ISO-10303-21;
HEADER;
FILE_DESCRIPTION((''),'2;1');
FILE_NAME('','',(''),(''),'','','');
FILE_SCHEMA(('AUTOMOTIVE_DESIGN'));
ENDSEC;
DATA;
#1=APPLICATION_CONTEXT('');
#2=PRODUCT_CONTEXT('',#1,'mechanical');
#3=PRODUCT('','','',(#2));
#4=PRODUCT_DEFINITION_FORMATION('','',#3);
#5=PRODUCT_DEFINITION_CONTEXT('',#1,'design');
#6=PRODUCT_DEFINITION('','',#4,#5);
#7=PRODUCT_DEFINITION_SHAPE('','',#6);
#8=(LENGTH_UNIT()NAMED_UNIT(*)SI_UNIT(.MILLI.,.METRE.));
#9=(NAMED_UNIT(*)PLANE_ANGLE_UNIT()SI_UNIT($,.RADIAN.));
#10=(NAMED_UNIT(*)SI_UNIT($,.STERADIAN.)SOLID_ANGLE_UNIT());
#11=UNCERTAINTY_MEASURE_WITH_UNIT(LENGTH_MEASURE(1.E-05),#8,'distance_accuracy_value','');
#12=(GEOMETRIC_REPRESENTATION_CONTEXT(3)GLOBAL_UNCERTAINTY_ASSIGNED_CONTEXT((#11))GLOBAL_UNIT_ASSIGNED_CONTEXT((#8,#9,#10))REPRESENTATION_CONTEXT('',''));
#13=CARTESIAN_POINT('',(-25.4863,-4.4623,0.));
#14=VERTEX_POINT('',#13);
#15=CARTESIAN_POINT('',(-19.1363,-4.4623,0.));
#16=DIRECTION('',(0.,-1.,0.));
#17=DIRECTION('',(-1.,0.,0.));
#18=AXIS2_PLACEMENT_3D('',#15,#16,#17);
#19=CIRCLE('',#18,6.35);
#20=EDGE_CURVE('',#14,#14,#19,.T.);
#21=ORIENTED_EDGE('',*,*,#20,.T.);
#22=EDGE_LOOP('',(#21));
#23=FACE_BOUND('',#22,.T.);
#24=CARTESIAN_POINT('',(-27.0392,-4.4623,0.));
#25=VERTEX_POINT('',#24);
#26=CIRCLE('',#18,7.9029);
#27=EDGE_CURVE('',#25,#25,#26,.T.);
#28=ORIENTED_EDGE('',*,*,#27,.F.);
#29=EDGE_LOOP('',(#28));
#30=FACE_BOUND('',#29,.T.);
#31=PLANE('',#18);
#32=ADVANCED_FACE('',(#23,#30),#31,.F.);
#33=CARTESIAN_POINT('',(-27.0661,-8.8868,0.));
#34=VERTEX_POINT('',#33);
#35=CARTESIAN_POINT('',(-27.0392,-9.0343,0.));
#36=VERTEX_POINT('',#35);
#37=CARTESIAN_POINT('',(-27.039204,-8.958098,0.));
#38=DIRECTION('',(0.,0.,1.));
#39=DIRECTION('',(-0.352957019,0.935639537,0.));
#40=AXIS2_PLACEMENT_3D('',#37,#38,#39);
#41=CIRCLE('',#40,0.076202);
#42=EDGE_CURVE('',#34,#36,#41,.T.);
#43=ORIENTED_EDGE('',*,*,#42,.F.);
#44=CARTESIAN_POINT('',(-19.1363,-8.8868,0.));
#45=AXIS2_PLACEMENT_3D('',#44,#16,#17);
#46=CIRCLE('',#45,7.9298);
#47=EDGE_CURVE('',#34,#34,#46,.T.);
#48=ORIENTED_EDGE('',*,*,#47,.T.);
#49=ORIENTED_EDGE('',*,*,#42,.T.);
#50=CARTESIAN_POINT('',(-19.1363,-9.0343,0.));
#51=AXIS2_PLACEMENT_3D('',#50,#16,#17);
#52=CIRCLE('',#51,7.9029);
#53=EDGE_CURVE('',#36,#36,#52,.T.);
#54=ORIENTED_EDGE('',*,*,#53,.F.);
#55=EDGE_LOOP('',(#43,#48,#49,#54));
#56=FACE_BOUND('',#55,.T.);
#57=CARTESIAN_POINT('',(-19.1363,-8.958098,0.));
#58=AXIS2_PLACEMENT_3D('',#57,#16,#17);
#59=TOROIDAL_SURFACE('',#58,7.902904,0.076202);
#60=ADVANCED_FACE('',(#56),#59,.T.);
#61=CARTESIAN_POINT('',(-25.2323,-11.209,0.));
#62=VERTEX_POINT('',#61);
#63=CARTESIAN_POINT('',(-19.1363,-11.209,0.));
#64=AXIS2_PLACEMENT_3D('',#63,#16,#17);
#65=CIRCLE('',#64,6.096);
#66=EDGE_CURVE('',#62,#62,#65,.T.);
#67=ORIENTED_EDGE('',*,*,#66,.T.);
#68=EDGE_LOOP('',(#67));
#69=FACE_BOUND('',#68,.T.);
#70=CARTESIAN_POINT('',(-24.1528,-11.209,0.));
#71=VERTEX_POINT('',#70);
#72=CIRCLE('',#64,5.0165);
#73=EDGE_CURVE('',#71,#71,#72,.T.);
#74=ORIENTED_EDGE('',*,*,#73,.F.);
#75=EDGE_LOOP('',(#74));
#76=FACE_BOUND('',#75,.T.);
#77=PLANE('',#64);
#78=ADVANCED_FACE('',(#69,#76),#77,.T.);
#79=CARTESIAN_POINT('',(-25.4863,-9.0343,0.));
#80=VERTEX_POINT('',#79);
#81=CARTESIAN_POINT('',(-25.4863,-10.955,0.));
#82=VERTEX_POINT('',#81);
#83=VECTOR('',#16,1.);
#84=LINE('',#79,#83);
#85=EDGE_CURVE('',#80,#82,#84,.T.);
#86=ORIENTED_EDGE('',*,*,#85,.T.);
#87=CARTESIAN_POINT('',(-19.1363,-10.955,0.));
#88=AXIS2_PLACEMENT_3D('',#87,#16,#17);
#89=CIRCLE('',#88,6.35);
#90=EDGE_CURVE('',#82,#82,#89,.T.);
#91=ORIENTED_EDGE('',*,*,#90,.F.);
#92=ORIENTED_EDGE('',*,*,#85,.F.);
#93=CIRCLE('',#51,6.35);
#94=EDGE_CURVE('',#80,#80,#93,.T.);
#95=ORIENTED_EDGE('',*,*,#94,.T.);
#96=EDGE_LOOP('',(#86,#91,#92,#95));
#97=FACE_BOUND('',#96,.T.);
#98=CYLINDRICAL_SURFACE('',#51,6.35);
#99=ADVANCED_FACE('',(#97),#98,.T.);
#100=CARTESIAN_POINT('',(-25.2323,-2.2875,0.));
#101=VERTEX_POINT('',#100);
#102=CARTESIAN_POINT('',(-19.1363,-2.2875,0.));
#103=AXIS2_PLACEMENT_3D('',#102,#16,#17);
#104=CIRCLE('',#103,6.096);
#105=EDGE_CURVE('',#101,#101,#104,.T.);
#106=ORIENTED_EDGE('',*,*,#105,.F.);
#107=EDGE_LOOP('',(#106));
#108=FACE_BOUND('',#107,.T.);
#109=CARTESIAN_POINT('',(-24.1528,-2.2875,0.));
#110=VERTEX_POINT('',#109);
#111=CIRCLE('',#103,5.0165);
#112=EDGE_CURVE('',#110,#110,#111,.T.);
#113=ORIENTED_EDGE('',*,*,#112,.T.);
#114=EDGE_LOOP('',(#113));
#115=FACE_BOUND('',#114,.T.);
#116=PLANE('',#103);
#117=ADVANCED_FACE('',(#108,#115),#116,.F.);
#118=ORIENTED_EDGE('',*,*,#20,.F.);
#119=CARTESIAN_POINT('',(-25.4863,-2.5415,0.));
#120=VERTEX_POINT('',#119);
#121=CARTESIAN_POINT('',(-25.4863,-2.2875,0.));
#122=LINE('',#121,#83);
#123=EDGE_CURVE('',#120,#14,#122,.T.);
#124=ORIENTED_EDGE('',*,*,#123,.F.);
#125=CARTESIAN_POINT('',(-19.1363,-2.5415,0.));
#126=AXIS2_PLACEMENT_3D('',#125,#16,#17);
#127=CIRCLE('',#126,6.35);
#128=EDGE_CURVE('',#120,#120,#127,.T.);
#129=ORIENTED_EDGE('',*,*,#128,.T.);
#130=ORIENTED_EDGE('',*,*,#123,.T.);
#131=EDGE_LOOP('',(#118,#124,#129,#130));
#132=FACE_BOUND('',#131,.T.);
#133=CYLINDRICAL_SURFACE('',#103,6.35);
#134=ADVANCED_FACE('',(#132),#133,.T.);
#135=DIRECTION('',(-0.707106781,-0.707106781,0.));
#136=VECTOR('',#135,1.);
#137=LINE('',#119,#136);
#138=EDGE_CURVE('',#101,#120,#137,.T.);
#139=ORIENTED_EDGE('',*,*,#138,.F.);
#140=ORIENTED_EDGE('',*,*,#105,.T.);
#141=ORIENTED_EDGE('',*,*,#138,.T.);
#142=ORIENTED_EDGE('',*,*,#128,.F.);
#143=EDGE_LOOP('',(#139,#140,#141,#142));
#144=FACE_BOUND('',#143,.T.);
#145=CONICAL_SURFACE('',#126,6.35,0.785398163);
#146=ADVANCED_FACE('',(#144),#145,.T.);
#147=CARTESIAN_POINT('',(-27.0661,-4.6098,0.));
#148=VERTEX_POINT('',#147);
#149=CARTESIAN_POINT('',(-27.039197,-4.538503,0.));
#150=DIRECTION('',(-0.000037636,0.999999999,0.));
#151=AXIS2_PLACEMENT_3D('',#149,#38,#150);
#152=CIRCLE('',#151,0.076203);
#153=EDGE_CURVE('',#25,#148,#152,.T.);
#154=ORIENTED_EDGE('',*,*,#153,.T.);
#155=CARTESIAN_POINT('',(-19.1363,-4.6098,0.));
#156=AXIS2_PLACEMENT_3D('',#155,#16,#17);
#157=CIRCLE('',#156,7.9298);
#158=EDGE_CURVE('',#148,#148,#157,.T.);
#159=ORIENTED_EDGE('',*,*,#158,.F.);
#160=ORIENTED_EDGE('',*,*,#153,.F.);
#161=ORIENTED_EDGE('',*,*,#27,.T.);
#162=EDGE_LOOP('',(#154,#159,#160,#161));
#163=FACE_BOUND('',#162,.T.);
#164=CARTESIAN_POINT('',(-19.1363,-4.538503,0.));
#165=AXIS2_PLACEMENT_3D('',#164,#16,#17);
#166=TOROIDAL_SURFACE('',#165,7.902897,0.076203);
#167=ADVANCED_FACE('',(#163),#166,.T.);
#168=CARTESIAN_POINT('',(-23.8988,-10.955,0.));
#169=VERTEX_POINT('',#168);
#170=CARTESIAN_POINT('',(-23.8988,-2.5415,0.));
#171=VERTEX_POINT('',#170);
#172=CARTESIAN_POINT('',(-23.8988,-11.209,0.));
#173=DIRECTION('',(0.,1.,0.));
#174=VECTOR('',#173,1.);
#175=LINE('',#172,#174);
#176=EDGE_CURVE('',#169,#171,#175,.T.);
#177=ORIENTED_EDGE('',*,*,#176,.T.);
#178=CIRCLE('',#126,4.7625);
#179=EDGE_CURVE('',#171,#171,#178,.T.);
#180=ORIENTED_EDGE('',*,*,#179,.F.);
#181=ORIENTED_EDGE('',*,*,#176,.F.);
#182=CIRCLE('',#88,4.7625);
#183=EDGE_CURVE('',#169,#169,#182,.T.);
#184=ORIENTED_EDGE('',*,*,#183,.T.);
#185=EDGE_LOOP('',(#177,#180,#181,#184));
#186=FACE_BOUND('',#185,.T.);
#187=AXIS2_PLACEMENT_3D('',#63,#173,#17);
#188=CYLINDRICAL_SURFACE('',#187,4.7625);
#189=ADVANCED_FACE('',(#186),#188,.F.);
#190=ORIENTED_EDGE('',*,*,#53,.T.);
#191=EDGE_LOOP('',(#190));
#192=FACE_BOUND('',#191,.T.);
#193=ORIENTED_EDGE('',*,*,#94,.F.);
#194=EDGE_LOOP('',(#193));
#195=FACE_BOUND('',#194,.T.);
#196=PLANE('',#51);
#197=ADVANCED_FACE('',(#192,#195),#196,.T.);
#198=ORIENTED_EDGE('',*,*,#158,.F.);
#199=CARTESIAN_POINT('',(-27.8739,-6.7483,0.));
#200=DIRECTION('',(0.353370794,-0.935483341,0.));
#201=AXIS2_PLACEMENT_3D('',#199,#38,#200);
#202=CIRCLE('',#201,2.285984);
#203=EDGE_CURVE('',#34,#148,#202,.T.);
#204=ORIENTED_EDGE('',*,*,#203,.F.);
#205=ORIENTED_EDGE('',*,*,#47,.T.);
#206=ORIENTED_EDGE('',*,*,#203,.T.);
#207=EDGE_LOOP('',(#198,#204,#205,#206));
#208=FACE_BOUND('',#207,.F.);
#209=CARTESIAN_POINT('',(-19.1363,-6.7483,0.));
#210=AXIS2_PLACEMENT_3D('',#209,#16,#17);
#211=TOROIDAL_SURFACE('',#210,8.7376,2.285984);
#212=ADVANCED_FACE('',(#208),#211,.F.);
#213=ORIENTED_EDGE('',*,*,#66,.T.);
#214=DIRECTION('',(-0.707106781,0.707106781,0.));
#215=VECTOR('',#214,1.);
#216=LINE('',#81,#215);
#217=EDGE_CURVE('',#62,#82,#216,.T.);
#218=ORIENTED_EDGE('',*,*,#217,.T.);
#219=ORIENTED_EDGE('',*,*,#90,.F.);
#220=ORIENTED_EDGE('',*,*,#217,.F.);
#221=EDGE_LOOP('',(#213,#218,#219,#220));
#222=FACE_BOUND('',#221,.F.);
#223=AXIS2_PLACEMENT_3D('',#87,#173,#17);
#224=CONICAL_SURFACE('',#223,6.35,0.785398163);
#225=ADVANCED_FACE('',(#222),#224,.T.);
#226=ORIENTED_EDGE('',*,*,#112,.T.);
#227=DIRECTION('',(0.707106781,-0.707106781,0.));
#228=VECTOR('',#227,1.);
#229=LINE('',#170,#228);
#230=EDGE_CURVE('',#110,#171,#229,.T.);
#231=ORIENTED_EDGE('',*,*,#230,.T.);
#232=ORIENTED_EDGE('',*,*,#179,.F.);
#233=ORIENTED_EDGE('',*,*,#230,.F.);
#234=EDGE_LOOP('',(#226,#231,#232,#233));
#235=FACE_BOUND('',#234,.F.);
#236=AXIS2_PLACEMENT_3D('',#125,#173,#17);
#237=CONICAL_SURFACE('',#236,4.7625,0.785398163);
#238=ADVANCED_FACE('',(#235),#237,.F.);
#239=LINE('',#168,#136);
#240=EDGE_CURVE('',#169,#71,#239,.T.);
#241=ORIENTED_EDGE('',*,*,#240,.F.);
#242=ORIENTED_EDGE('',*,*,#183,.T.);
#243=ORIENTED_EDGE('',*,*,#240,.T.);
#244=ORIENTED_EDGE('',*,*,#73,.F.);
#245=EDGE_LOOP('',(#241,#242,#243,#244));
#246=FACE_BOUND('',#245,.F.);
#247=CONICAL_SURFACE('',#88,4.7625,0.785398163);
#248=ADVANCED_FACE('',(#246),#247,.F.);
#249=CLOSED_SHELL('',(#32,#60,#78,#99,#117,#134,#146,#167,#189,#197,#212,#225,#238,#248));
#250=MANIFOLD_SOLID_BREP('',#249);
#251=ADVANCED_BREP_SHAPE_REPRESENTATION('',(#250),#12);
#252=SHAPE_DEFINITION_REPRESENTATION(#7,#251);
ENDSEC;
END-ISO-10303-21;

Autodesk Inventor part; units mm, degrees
ref_plane "YZ Plane" through (0, 0, 0) normal (1, 0, 0) x (0, 1, 0)
ref_plane "XZ Plane" through (0, 0, 0) normal (0, 1, 0) x (-1, 0, 0)
ref_plane "XY Plane" through (0, 0, 0) normal (0, 0, 1) x (1, 0, 0)
sketch "Sketch1" plane through (0, 0, 0) normal (0, 0, 1) x (1, 0, 0)
  line L0 (-25.4863, -2.2875) -> (-25.4863, -4.4623)
  line L1 (-25.4863, -9.0343) -> (-25.4863, -11.209)
  line L2 (-25.4863, -11.209) -> (-23.8988, -11.209)
  line L3 (-23.8988, -11.209) -> (-23.8988, -2.2875)
  line L4 (-23.8988, -2.2875) -> (-25.4863, -2.2875)
  line L5 (-19.1363, -1.7348) -> (-19.1363, -11.209)
  arc A0 (-27.0661, -8.8868) -> (-27.0661, -4.6098) centre (-27.8739, -6.7483) ccw
  line L6 (-27.0392, -9.0343) -> (-25.4863, -9.0343)
  line L7 (-25.4863, -4.4623) -> (-27.0392, -4.4623)
  arc A1 (-27.0392, -4.4623) -> (-27.0661, -4.6098) centre (-27.0392, -4.5385) ccw
  arc A2 (-27.0661, -8.8868) -> (-27.0392, -9.0343) centre (-27.0392, -8.9581) ccw
  dimension "d0" = 2.1747
  dimension "d2" = 2.1747
  dimension "d3" = 1.5875
  dimension "d7" = 4.572
  dimension "d8" = 0.0762
  dimension "d16" = 4.7625
  dimension "d20" = 3.1404
  dimension "d21" = 3.9751
revolve "Revolution1" add sketch "Sketch1" angle 360 about axis through (-19.1363, -1.7348, 0) along (0, -1, 0)
chamfer "Chamfer1" distance 0.254 angle 45 1 edges at (-12.7863, -2.2875, 0)
chamfer "Chamfer2" distance 0.254 angle 45 3 edges at (-14.3738, -2.2875, 0) (-12.7863, -11.209, 0) (-14.3738, -11.209, 0)
properties part number "Inner Ring 1764"
